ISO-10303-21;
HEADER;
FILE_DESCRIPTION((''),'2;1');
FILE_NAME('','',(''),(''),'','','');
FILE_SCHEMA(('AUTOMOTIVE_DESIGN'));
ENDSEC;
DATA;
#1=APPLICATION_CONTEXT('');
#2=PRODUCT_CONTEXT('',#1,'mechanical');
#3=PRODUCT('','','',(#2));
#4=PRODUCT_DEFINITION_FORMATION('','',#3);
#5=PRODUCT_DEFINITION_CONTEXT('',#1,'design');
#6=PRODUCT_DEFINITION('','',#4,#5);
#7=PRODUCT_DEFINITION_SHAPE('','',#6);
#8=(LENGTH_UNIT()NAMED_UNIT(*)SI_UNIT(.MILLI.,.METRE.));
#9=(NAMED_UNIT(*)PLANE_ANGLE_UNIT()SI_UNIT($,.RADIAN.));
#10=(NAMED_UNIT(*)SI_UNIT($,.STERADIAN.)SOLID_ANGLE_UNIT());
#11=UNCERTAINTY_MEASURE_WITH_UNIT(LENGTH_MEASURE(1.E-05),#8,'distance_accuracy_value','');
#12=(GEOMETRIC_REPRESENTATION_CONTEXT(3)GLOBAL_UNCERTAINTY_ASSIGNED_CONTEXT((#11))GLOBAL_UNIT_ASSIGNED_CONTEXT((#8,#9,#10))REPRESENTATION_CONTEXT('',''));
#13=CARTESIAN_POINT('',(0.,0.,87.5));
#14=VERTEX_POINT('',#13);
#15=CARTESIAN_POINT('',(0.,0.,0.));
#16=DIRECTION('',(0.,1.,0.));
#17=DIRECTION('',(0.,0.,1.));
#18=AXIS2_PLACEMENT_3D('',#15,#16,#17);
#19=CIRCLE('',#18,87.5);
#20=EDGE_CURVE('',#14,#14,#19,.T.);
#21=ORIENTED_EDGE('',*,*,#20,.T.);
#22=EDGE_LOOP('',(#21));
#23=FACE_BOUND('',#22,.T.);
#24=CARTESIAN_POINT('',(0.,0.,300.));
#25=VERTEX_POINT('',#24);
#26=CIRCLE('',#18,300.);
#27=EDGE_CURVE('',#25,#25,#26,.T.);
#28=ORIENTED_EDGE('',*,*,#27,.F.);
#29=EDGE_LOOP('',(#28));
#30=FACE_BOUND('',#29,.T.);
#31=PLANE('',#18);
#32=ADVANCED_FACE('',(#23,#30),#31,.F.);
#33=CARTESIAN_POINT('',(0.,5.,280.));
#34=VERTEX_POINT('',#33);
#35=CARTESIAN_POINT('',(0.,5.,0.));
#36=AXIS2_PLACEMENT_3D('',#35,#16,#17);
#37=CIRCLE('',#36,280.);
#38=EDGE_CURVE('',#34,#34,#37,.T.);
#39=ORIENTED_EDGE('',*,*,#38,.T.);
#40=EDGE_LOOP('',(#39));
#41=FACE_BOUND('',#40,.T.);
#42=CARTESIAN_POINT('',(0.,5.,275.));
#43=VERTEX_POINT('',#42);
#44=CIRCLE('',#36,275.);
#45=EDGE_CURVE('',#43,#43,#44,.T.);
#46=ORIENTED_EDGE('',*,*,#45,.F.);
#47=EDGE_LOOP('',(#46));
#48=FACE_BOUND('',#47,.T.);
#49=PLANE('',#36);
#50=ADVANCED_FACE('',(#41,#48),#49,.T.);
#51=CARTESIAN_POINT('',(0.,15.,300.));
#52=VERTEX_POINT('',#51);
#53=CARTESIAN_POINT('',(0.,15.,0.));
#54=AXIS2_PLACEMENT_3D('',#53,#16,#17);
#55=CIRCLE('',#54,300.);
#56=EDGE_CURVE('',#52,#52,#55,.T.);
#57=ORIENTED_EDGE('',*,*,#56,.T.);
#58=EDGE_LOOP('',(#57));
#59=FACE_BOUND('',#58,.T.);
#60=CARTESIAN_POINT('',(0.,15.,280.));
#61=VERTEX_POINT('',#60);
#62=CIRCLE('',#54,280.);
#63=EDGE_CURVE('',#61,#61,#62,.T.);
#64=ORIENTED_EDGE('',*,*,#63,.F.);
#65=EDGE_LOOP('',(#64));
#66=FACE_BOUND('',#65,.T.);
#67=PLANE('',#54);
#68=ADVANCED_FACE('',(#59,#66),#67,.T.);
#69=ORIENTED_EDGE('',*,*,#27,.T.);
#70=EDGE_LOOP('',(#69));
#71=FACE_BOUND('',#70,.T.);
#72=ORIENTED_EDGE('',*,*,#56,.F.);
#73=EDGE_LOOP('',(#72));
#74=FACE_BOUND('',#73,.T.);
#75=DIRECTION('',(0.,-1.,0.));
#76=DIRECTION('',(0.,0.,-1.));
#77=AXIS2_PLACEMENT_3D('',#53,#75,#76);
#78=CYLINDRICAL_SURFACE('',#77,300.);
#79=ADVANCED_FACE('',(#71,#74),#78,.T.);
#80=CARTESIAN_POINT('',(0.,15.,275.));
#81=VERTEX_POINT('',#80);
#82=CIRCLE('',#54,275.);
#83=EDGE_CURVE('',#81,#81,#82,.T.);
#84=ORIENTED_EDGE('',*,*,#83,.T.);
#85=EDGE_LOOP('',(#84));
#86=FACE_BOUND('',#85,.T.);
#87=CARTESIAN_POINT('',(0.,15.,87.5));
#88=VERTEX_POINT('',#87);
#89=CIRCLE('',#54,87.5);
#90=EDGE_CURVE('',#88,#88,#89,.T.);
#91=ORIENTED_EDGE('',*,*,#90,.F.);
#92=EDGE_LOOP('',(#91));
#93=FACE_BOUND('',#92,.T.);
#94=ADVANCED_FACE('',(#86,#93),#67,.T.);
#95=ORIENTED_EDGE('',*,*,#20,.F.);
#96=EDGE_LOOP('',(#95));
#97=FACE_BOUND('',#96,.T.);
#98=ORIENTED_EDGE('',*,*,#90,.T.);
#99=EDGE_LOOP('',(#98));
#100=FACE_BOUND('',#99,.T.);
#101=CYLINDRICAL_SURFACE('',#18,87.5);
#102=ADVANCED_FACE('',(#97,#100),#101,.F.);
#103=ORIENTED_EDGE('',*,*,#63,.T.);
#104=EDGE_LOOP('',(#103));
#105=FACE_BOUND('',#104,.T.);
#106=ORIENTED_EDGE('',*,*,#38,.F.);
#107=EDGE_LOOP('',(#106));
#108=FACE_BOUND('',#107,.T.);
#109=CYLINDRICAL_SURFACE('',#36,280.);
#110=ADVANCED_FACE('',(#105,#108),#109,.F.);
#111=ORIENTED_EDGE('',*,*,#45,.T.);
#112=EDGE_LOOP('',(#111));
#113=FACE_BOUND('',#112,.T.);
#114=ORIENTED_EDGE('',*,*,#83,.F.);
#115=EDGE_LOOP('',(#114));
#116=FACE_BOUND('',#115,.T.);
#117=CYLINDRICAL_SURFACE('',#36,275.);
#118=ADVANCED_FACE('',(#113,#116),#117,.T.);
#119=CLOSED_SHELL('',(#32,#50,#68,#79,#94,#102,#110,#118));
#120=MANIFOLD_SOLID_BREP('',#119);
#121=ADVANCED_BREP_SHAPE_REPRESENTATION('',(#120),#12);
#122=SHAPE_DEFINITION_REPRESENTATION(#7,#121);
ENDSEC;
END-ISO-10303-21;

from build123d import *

# Parameters (mm, degrees)
SKETCH1_R          = 300
PLATE_DEPTH        = 15
SKETCH2_R          = 87.5
BEARING_HOLE_DEPTH = 425.529150943
SKETCH4_R          = 280
SKETCH4_R_2        = 275
CUT_EXTRUDE3_DEPTH = 10


with BuildPart() as part:
    # Sketch1 → plate (new body)
    with BuildSketch(Plane(origin=(0, 0, 0), x_dir=(1, 0, 0), z_dir=(0, 1, 0))):
        with Locations(Location((0, 0, 0), (0, 0, 270))):
            Circle(SKETCH1_R)
    extrude(amount=PLATE_DEPTH)

    # Sketch2 → bearing-hole (cut, through all)
    with BuildSketch(Plane(origin=(0, 15, 0), x_dir=(1, 0, 0), z_dir=(0, 1, 0))):
        with Locations(Location((0, 0, 0), (0, 0, 270))):
            Circle(SKETCH2_R)
    extrude(amount=-BEARING_HOLE_DEPTH, mode=Mode.SUBTRACT)

    # Sketch4 → Cut-Extrude3 (cut)
    with BuildSketch(Plane(origin=(0, 15, 0), x_dir=(1, 0, 0), z_dir=(0, 1, 0))):
        with Locations(Location((0, 0, 0), (0, 0, 270))):
            Circle(SKETCH4_R)
        with Locations(Location((0, 0, 0), (0, 0, 270))):
            Circle(SKETCH4_R_2, mode=Mode.SUBTRACT)
    extrude(amount=-CUT_EXTRUDE3_DEPTH, mode=Mode.SUBTRACT)


solid = part.part
